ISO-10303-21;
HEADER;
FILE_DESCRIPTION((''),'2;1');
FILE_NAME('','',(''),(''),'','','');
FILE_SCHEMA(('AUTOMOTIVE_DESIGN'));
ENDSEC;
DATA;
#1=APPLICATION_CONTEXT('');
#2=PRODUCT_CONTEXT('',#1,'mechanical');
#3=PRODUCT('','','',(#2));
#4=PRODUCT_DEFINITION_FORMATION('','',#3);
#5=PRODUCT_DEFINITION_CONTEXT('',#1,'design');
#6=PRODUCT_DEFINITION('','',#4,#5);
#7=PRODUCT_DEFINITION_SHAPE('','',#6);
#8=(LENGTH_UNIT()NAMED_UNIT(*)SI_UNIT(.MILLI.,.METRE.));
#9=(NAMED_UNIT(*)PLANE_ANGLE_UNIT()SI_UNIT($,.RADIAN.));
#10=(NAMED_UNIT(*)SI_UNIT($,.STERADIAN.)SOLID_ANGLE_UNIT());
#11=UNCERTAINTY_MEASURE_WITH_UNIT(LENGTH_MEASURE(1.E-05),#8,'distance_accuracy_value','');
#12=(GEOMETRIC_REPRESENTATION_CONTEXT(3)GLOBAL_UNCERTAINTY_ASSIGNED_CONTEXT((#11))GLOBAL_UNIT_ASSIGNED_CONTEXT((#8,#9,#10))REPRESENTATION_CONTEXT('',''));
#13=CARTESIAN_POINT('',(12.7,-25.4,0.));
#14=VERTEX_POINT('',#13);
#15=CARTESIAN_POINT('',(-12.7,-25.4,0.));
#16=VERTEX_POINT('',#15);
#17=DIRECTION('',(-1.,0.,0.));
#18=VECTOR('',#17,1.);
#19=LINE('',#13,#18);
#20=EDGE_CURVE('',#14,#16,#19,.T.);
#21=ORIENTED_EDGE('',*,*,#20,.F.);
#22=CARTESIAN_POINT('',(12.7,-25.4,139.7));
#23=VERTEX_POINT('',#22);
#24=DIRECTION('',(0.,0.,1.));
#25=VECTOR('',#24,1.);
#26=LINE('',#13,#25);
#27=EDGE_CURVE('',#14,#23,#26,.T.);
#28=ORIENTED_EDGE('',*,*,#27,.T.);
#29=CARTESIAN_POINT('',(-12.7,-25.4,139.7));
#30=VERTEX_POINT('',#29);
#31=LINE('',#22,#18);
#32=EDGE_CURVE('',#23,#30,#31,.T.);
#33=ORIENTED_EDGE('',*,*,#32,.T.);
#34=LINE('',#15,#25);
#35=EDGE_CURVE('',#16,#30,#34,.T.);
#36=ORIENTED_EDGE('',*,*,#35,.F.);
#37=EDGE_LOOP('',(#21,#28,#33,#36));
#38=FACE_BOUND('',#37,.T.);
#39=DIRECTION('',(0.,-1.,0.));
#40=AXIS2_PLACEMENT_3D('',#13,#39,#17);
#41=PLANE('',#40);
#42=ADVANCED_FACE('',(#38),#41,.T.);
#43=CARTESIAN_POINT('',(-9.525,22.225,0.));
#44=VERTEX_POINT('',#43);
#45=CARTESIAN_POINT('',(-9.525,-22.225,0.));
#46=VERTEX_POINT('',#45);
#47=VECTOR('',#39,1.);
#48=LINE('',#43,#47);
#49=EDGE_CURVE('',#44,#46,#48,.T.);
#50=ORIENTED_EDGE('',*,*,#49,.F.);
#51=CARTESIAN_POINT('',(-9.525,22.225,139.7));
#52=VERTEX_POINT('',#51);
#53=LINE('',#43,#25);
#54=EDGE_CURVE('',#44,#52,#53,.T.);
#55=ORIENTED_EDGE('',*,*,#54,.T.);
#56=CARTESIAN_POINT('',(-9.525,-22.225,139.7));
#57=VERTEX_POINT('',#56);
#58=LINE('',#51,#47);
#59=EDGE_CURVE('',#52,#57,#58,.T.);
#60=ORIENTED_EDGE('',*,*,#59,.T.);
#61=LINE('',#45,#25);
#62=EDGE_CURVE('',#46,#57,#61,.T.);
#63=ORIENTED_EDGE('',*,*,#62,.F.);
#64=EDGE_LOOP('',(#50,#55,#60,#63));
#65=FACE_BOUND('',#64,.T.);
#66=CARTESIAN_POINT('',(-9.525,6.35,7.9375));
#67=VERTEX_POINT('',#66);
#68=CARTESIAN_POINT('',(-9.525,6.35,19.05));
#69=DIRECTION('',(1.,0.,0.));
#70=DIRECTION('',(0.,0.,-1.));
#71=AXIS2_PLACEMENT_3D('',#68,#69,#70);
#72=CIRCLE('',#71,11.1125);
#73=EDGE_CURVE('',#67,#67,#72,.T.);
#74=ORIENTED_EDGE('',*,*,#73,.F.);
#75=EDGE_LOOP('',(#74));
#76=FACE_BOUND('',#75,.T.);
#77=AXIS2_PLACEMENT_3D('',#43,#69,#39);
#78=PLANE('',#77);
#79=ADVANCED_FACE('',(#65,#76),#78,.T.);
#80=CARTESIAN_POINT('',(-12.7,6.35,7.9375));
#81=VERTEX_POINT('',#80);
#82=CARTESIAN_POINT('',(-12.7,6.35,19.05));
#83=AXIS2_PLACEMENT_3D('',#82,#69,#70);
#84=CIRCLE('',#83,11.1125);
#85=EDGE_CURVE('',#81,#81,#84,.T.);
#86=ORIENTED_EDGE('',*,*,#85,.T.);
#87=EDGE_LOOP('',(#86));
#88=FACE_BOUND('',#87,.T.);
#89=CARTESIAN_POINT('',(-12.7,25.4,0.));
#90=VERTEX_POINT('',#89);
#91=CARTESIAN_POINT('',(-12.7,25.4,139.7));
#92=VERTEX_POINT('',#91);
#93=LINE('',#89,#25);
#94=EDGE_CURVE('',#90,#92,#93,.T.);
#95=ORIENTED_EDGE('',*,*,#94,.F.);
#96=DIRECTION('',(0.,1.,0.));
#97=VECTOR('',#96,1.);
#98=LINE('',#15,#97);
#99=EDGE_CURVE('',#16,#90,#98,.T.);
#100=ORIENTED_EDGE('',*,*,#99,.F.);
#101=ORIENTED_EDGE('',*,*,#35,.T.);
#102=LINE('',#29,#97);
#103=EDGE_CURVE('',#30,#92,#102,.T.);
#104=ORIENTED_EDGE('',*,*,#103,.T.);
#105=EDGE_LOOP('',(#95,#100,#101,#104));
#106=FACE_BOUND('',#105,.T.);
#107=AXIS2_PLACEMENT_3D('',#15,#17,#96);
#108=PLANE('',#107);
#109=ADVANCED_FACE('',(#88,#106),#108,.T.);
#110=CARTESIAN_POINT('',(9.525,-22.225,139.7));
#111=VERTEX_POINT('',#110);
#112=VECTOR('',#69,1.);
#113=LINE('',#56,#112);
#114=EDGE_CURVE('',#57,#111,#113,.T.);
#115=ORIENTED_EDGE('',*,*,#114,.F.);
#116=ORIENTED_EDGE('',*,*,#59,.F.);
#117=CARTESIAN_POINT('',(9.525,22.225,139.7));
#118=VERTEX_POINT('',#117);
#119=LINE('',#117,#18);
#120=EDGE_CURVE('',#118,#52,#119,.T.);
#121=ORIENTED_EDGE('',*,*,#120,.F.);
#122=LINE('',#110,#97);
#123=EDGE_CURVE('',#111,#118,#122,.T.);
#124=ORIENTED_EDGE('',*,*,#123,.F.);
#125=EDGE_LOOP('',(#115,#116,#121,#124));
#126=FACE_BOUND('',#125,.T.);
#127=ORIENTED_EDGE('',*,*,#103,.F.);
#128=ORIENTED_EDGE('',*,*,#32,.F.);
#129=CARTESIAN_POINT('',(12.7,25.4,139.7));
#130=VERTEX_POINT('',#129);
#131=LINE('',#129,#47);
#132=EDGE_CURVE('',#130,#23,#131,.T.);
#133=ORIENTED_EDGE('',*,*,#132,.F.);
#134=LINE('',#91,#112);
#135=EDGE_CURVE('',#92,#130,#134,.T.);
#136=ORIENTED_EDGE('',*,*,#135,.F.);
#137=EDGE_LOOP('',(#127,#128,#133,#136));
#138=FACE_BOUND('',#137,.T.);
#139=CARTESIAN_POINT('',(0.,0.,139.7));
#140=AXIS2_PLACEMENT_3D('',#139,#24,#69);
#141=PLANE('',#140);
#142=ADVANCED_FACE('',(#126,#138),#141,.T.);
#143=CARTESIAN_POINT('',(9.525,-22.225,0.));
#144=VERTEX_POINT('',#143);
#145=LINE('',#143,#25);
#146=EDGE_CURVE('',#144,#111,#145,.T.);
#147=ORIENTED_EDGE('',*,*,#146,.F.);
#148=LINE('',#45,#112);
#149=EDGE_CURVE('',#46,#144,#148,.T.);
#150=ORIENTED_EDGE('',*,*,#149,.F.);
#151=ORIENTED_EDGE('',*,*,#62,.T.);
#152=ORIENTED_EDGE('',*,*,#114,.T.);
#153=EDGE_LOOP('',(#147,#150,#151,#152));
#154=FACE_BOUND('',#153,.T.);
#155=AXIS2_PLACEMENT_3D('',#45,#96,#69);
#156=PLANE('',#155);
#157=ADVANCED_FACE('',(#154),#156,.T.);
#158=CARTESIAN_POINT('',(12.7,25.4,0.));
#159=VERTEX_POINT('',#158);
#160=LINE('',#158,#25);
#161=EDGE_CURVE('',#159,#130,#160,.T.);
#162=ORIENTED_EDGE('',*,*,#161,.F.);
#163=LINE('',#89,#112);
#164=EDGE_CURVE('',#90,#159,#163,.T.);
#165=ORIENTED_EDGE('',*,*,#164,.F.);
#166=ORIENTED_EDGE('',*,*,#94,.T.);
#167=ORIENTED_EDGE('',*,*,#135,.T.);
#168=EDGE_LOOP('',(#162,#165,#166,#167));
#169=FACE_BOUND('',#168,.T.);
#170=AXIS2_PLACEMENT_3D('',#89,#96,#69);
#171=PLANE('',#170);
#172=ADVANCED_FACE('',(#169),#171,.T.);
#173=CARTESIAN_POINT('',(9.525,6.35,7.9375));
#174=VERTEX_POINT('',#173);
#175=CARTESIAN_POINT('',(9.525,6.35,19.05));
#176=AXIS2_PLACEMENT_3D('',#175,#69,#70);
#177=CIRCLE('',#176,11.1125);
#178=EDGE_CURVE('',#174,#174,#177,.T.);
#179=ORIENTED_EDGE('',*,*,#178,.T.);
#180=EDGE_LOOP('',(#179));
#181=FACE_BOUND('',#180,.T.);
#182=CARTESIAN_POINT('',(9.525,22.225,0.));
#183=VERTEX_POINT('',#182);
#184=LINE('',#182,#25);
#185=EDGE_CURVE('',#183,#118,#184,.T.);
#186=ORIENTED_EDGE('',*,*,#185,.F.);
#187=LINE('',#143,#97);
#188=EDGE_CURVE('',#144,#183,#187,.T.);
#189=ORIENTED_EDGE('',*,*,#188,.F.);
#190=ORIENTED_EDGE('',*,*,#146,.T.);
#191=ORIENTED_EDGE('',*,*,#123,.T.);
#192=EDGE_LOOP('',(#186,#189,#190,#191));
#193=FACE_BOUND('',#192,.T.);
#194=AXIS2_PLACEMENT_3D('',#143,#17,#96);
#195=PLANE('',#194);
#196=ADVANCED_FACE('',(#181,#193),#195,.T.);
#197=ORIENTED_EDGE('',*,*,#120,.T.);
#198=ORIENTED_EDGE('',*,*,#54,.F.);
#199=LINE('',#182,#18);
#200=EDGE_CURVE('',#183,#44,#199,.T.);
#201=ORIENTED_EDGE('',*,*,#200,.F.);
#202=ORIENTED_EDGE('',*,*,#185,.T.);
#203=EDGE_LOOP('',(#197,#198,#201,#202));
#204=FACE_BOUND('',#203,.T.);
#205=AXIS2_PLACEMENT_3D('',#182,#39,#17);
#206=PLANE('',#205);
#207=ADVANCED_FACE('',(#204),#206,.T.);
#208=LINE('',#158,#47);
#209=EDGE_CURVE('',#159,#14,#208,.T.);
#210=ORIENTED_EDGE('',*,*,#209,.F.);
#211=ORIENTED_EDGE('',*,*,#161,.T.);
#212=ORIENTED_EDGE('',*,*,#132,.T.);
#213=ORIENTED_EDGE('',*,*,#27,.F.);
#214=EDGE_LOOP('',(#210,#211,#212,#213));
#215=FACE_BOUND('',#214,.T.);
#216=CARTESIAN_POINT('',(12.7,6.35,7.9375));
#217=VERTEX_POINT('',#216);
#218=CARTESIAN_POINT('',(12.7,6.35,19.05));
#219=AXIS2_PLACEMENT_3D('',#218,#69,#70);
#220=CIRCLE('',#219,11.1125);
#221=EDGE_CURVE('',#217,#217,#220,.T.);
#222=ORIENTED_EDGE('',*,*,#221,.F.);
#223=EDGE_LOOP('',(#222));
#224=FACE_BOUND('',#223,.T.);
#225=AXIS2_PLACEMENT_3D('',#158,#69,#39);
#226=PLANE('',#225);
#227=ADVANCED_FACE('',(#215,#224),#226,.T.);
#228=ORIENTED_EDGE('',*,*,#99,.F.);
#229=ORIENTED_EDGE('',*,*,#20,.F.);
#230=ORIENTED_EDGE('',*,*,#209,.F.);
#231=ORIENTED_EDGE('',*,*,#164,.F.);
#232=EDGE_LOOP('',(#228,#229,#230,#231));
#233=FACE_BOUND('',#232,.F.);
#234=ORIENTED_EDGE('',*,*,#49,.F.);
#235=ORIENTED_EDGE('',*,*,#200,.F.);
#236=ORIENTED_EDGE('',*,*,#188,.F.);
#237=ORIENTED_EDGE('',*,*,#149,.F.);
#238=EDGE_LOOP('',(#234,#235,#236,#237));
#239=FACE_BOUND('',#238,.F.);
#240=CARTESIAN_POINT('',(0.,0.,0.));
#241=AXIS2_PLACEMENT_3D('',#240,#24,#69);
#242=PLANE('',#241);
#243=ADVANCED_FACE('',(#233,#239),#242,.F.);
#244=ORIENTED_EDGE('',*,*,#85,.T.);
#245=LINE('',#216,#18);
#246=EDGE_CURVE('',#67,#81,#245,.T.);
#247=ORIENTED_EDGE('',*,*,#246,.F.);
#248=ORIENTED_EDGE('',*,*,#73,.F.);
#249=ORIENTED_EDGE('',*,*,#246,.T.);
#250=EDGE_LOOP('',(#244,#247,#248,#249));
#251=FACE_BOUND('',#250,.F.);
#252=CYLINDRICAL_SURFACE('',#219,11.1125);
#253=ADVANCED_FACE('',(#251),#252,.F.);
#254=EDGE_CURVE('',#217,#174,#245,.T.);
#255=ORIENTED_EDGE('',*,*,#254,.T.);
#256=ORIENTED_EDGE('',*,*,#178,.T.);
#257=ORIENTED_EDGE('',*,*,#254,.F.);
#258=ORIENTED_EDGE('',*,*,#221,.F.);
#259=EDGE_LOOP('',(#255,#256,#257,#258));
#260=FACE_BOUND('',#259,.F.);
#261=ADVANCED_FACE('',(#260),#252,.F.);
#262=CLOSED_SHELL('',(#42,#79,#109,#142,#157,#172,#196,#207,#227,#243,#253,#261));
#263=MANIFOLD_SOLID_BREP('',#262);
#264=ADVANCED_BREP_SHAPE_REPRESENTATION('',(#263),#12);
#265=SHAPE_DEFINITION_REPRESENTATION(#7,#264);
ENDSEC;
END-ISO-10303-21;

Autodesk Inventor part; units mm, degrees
ref_plane "YZ Plane" through (0, 0, 0) normal (1, 0, 0) x (0, 1, 0)
ref_plane "XZ Plane" through (0, 0, 0) normal (0, 1, 0) x (-1, 0, 0)
ref_plane "XY Plane" through (0, 0, 0) normal (0, 0, 1) x (1, 0, 0)
sketch "Sketch1" plane through (0, 0, 0) normal (0, 0, 1) x (1, 0, 0)
  line L0 (-12.7, 25.4) -> (12.7, 25.4)
  line L1 (12.7, 25.4) -> (12.7, -25.4)
  line L2 (12.7, -25.4) -> (-12.7, -25.4)
  line L3 (-12.7, -25.4) -> (-12.7, 25.4)
  line L4 (-12.7, 25.4) -> (12.7, -25.4) construction
  line L5 (12.7, 25.4) -> (-12.7, -25.4) construction
  line L6 (-9.525, -22.225) -> (9.525, -22.225)
  line L7 (9.525, -22.225) -> (9.525, 22.225)
  line L8 (9.525, 22.225) -> (-9.525, 22.225)
  line L9 (-9.525, 22.225) -> (-9.525, -22.225)
  line L10 (-9.525, -22.225) -> (9.525, 22.225) construction
  line L11 (9.525, -22.225) -> (-9.525, 22.225) construction
  point P0 (0, 0)
  dimension "d0" = 50.8
  dimension "d1" = 25.4
  dimension "d2" = 3.175
  dimension "d3" = 3.175
extrude "Extrusion1" add sketch "Sketch1" along normal blind 139.7
sketch "Sketch2" plane through (12.7, -25.4, 0) normal (1, 0, 0) x (0, 0, -1)
  circle A0 centre (-19.05, 31.75) radius 11.1125
  line L0 (0, 50.8) -> (-139.7, 50.8) projected
  point P0 (0, 25.4)
  dimension "d6" = 22.225
  dimension "d7" = 19.05
  dimension "d8" = 19.05
extrude "Extrusion2" cut sketch "Sketch2" against normal through all
equation "\"d3\" = d2"
properties part number "pivot block" material "Aluminum 6061"
